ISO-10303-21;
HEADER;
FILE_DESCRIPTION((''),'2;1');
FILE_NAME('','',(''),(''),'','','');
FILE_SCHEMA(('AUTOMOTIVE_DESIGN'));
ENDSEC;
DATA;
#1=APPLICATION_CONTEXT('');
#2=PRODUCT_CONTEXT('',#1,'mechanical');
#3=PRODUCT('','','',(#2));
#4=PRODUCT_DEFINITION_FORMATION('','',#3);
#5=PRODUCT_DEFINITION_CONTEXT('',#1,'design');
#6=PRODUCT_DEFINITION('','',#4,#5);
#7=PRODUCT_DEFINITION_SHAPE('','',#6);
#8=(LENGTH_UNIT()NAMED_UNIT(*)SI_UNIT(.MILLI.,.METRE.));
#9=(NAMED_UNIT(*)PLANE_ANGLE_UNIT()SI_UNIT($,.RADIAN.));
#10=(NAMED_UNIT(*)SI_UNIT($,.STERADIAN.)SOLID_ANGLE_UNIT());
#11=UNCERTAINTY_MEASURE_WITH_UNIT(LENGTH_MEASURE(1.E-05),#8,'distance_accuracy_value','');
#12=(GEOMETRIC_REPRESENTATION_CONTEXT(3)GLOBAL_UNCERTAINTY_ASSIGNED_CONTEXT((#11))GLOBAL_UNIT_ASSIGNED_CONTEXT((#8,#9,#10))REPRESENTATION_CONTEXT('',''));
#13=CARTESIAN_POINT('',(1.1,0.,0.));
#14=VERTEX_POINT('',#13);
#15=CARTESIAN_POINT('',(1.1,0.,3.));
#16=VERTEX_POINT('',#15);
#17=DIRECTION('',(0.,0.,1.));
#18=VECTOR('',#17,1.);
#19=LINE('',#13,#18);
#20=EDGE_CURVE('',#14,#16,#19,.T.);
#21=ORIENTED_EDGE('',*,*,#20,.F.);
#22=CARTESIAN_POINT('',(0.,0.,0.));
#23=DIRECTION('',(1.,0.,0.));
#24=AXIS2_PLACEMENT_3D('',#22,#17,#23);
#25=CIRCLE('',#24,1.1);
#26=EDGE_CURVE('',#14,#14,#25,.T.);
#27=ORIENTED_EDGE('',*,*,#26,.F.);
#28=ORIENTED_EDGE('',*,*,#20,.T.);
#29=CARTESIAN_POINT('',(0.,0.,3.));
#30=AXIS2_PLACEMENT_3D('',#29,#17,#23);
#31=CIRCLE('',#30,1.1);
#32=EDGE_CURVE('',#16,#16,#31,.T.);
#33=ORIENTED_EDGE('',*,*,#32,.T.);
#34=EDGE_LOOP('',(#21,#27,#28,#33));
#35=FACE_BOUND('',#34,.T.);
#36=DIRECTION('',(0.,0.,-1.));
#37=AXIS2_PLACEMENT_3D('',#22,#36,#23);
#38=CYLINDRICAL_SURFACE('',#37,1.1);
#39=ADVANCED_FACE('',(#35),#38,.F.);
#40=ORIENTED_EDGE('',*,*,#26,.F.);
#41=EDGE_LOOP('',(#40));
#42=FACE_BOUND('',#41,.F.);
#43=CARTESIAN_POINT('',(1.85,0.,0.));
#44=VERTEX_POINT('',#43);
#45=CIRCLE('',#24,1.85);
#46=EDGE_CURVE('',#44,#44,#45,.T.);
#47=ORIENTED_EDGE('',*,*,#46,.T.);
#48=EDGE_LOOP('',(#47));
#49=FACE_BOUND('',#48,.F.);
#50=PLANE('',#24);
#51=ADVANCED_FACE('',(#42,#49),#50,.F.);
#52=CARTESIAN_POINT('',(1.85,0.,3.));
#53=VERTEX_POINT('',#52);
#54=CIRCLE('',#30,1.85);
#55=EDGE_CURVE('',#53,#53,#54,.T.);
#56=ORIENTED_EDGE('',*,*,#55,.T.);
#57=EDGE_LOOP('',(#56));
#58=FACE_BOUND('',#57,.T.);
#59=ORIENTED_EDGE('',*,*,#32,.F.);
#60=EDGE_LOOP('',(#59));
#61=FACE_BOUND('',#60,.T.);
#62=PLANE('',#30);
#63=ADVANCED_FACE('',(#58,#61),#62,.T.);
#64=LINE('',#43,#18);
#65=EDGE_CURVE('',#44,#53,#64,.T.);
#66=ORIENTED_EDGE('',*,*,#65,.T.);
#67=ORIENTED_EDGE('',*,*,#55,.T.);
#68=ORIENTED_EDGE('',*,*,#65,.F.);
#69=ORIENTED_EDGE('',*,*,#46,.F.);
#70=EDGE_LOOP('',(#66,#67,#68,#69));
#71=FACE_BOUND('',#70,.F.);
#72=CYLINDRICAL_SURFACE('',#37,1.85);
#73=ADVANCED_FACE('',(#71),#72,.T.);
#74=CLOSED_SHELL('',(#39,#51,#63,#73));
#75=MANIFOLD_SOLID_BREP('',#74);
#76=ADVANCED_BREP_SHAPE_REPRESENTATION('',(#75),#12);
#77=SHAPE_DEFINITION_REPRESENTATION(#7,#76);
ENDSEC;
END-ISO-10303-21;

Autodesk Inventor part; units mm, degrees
ref_plane "YZ Plane" through (0, 0, 0) normal (1, 0, 0) x (0, 1, 0)
ref_plane "XZ Plane" through (0, 0, 0) normal (0, 1, 0) x (-1, 0, 0)
ref_plane "XY Plane" through (0, 0, 0) normal (0, 0, 1) x (1, 0, 0)
sketch "スケッチ1" plane through (0, 0, 0) normal (0, 0, 1) x (1, 0, 0)
  circle A0 centre (0, 0) radius 1.1
  circle A1 centre (0, 0) radius 1.85
  dimension "d0" = 2.2
  dimension "d1" = 3.7
extrude "押し出し1" add sketch "スケッチ1" along normal blind 3
properties part number "ナイロンスペーサー(中空）外径3.7内径2.2長3_CN-2003" material "ABS Plastic"
